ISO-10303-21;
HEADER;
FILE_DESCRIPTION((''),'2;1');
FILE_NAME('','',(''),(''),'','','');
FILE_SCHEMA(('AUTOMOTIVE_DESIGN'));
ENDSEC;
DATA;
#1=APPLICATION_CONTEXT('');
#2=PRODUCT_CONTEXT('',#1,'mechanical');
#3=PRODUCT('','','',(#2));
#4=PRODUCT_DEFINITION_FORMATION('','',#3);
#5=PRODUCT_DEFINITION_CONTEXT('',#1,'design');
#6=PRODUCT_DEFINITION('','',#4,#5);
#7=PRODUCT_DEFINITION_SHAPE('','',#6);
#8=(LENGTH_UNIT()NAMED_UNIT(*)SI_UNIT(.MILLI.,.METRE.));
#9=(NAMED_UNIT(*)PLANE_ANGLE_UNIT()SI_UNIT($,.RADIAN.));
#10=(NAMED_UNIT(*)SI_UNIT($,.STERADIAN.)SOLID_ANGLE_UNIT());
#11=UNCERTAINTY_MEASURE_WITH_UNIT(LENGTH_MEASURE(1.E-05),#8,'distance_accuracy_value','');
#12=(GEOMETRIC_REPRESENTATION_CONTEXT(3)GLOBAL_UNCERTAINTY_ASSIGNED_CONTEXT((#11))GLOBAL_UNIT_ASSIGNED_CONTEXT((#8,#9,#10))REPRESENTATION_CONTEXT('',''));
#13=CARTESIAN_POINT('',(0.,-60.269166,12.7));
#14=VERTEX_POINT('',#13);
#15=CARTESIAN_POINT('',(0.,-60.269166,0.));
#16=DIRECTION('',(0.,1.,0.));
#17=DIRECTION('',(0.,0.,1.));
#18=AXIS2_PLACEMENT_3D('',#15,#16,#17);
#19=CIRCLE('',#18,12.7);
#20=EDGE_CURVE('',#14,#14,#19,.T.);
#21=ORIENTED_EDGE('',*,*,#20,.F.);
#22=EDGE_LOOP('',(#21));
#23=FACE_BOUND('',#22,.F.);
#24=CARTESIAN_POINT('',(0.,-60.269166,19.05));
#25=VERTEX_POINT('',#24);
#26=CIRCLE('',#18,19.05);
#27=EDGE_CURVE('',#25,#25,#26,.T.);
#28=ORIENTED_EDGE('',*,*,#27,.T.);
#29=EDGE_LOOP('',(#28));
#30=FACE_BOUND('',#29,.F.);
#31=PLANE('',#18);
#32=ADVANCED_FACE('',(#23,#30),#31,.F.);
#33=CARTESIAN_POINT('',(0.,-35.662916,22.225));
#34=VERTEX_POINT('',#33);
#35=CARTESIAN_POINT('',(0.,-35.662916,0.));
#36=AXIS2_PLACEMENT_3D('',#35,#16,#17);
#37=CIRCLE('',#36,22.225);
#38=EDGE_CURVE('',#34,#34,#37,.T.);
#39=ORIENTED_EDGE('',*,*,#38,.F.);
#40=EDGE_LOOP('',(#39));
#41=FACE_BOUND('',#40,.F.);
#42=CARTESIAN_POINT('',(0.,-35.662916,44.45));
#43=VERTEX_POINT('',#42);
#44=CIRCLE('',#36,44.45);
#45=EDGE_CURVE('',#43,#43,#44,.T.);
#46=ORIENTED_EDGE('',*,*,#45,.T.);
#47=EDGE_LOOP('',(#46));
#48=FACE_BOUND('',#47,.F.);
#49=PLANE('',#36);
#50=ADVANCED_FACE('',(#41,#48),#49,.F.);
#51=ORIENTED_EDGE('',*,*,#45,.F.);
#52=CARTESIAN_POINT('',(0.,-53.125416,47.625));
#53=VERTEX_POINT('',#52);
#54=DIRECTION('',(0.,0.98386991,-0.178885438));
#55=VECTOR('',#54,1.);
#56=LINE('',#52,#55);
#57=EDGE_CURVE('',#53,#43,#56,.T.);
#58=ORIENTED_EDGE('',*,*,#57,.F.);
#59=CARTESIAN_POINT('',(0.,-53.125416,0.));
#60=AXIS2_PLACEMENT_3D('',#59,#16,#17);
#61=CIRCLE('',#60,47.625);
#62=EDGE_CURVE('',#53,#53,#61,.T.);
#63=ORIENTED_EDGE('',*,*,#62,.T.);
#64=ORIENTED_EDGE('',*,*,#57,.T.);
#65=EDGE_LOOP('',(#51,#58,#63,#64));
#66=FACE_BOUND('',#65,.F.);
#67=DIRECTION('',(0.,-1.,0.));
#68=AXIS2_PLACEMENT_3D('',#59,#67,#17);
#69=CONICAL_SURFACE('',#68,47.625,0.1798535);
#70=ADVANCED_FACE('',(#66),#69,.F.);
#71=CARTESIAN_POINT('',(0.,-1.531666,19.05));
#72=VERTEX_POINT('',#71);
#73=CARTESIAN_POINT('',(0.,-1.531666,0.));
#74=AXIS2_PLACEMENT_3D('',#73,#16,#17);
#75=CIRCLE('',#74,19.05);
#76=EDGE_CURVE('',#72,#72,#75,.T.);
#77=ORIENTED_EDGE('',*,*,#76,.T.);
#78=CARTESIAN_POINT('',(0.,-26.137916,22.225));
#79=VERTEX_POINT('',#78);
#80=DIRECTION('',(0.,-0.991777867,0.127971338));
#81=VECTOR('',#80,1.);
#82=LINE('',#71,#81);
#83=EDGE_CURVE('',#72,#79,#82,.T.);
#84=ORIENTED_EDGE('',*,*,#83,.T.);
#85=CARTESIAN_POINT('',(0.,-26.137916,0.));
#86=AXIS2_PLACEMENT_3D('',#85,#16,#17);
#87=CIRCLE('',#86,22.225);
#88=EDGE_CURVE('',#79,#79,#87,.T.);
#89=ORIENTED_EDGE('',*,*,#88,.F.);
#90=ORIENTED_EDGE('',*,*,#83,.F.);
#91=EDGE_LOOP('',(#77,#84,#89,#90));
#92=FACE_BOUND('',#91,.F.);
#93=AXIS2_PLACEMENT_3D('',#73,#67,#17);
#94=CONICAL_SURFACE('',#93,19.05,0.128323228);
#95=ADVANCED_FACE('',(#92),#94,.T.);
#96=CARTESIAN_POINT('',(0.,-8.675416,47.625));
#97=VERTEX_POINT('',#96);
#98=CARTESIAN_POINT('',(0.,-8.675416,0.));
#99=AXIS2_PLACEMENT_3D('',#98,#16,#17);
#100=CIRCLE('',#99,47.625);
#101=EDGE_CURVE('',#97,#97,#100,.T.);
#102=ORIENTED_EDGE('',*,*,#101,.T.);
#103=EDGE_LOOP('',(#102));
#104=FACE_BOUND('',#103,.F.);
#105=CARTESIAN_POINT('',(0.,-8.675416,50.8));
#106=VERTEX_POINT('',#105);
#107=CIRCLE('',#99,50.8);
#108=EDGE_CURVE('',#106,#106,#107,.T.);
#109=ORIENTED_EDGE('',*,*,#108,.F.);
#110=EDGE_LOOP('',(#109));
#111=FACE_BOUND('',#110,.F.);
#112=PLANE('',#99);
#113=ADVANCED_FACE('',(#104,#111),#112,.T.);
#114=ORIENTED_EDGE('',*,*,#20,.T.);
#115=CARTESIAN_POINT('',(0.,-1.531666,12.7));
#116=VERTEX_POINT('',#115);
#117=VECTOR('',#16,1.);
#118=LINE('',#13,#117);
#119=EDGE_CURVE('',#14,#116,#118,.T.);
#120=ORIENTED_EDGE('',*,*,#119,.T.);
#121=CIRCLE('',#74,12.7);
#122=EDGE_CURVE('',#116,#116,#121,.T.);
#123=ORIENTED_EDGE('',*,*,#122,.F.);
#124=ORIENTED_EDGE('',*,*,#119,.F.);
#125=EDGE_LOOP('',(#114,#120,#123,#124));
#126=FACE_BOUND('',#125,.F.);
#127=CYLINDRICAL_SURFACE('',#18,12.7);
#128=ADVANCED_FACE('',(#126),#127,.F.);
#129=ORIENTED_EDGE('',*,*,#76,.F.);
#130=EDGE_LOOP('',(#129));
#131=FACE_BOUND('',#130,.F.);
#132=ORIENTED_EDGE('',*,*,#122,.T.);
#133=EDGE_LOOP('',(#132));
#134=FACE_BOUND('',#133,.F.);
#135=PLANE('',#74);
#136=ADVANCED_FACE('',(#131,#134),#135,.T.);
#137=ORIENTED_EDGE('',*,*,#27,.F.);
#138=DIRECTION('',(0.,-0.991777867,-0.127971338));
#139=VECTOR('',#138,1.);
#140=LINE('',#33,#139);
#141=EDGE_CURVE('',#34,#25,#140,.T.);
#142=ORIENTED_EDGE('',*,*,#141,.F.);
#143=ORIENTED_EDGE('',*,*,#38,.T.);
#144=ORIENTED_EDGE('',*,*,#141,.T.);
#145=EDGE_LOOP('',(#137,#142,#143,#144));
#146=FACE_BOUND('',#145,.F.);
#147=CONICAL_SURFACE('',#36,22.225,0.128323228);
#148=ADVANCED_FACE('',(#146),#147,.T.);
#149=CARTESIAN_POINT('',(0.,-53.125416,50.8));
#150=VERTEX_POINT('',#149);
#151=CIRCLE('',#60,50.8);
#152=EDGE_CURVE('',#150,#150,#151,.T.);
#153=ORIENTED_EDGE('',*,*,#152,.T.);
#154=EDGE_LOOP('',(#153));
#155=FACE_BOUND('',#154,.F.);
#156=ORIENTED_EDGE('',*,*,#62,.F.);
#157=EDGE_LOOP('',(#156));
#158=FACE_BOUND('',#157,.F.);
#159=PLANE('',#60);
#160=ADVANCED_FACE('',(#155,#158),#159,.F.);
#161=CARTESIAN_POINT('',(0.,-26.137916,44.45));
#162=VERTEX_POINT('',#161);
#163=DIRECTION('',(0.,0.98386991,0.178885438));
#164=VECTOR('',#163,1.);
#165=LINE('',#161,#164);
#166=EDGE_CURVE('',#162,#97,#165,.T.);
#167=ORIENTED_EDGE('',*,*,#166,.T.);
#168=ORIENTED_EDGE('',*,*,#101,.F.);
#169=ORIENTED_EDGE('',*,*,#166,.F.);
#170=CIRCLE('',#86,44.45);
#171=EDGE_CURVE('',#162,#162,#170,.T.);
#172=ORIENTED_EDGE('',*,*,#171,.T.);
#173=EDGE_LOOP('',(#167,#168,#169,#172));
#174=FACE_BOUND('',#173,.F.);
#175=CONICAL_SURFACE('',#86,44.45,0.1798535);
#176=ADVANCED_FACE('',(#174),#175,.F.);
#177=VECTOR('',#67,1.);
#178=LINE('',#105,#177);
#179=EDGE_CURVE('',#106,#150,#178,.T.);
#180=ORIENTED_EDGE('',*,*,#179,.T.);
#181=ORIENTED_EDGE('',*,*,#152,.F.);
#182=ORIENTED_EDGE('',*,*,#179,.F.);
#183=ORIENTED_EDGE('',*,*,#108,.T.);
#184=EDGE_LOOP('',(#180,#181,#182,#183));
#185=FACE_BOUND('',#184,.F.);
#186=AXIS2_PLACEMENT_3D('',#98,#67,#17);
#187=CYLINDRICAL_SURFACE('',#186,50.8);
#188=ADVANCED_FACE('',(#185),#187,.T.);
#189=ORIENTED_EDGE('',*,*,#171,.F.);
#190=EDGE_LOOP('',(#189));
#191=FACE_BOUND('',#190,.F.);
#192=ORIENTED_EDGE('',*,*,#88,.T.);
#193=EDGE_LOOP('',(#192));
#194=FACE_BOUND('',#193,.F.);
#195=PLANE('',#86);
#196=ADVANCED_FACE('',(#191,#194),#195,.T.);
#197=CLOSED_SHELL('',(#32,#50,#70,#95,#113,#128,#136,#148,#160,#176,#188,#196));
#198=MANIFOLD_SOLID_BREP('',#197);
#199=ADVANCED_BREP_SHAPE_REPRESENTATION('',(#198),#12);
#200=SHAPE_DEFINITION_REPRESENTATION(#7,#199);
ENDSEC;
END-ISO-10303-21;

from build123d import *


with BuildPart() as f1:
    # F0 (on Right) → F1 (revolve)
    with BuildSketch(Plane.YZ):
        Polygon((-60.269166, 19.05), (-60.269166, 12.7), (-30.900416, 12.7), (-30.900416, 50.8), (-53.125416, 50.8), (-53.125416, 47.625), (-35.662916, 44.45), (-35.662916, 22.225), align=None)
        Polygon((-30.900416, 50.8), (-30.900416, 12.7), (-1.531666, 12.7), (-1.531666, 19.05), (-26.137916, 22.225), (-26.137916, 44.45), (-8.675416, 47.625), (-8.675416, 50.8), align=None)
    revolve(axis=Axis((0, 4.061773, 0), (0, 1, 0)))


solid = f1.part
